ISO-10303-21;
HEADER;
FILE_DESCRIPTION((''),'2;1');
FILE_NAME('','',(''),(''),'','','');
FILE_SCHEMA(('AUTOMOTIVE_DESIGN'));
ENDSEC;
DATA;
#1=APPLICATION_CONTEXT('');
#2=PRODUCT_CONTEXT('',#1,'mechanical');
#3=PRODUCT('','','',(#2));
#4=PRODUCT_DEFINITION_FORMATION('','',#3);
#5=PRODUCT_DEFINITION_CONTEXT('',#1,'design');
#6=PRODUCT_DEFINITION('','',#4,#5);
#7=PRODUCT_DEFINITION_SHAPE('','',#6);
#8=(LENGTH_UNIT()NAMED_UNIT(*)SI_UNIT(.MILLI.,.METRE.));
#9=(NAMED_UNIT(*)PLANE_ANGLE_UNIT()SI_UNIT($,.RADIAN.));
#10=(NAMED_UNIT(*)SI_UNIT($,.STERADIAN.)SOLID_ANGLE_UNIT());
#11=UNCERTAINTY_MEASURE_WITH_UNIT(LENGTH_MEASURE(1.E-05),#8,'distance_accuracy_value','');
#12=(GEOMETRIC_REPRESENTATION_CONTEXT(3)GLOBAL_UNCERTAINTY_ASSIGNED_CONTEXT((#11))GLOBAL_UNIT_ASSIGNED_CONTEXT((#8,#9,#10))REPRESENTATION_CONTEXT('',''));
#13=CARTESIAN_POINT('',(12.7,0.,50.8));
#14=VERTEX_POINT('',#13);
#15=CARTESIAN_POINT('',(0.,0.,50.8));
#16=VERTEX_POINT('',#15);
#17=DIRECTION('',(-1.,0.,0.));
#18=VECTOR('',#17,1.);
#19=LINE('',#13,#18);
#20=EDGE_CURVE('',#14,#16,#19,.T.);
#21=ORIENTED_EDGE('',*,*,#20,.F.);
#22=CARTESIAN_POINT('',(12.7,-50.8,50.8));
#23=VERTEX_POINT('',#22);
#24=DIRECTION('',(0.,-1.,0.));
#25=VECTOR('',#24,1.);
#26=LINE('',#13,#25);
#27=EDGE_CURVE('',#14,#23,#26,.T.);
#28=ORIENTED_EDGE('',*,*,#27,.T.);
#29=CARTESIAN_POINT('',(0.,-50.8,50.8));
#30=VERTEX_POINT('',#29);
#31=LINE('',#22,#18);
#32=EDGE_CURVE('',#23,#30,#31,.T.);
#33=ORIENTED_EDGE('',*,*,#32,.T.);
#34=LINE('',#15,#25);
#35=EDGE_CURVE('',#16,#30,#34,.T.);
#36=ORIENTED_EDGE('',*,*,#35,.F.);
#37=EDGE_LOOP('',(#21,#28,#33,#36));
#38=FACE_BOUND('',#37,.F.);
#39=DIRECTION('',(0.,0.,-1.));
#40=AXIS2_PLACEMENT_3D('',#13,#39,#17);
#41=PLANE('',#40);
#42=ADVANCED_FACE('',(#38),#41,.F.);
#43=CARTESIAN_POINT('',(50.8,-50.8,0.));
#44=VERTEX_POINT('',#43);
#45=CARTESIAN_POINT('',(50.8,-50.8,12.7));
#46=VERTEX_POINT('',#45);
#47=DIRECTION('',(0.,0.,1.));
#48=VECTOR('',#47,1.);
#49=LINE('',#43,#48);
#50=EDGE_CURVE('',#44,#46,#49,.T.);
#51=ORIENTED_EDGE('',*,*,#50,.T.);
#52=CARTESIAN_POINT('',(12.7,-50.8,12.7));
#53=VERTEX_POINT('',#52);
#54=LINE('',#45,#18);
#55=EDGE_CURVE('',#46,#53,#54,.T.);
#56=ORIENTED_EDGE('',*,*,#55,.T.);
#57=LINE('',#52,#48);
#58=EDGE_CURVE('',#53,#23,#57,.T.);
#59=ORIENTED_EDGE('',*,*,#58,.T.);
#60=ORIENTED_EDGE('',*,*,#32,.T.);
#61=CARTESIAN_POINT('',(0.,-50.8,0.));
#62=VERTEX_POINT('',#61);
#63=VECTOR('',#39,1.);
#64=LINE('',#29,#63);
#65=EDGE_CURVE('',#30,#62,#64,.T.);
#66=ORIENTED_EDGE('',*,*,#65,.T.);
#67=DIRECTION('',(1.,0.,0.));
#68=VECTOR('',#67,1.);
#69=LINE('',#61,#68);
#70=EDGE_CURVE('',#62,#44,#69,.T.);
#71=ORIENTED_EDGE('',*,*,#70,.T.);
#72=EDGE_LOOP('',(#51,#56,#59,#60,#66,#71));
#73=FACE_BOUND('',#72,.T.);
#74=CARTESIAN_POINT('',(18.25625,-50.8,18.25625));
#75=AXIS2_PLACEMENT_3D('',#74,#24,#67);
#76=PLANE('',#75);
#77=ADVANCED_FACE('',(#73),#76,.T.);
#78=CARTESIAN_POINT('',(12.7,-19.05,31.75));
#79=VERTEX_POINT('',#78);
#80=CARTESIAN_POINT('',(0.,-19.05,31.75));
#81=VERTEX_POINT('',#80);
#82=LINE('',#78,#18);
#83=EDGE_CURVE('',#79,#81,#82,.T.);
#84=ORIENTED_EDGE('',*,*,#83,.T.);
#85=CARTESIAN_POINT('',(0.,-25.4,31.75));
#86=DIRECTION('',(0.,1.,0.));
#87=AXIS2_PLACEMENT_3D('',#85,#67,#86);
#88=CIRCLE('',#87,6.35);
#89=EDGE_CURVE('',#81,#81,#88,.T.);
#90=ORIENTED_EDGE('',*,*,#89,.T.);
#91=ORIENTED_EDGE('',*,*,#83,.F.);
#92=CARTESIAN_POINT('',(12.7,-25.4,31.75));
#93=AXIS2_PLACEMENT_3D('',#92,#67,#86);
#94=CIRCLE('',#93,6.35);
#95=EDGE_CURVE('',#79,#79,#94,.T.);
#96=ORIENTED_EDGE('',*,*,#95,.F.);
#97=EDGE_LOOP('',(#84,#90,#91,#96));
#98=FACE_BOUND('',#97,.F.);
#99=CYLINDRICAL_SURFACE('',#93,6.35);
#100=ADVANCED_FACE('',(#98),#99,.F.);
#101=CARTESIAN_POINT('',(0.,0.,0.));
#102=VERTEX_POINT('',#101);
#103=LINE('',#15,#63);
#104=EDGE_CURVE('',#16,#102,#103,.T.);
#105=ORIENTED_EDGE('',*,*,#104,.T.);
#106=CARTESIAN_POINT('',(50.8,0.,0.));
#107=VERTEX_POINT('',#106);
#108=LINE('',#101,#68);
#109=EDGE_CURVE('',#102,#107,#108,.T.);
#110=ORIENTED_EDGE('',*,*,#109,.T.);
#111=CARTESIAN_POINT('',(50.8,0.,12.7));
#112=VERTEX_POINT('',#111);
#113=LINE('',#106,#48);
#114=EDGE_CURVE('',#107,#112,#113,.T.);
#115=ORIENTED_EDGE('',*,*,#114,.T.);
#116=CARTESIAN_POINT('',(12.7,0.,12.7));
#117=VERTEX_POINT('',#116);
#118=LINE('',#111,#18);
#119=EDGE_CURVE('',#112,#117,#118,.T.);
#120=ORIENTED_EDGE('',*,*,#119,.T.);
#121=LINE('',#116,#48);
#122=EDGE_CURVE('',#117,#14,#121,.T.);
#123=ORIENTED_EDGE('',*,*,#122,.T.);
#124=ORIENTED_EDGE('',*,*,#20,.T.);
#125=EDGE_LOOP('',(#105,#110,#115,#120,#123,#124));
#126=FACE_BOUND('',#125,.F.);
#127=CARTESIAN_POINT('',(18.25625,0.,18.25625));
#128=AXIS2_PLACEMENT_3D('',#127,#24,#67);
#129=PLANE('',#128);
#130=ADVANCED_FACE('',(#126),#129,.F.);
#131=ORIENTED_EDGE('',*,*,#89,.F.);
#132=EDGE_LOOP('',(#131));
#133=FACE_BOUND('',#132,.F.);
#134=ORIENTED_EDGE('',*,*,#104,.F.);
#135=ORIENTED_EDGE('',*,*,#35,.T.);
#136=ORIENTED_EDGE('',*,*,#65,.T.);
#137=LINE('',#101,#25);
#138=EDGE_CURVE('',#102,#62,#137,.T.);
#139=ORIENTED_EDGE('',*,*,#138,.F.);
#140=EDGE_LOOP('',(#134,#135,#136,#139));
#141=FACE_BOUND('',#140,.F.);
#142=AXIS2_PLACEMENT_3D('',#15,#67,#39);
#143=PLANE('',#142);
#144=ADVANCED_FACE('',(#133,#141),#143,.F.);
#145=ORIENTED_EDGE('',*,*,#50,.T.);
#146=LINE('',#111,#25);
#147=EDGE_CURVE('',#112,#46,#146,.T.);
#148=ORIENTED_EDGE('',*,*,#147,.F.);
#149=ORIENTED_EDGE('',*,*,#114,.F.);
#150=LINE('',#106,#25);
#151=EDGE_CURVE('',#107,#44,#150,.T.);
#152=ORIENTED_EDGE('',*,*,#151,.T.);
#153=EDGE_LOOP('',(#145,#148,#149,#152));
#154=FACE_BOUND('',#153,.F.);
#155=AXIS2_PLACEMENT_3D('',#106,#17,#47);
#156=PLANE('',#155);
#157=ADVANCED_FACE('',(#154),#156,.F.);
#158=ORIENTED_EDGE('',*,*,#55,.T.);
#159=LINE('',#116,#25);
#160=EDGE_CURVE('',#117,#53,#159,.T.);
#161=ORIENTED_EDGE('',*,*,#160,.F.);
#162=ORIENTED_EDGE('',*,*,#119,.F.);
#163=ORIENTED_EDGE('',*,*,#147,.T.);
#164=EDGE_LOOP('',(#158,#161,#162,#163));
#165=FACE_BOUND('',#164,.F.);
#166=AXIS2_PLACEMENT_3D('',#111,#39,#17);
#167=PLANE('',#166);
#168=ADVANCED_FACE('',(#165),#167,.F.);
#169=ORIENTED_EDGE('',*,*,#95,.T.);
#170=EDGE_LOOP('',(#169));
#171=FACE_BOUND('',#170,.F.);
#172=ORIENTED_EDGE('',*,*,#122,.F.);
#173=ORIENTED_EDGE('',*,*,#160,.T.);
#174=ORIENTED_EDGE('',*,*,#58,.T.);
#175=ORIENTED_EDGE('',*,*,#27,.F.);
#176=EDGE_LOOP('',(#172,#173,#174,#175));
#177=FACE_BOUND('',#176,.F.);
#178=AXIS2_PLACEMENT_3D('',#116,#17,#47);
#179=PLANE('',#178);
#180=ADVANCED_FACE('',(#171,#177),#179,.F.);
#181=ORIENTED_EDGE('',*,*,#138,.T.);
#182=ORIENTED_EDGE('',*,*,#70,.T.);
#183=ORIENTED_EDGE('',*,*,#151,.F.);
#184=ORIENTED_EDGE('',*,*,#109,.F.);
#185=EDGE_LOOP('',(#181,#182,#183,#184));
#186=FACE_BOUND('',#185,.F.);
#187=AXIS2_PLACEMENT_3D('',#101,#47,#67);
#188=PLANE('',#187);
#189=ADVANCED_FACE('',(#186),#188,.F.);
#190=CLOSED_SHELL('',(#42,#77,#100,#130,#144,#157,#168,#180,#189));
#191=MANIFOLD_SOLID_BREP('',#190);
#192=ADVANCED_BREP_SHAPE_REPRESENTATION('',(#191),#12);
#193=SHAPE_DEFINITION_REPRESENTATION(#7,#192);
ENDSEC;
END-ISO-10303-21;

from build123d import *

# Parameters (mm, degrees)
F1_DEPTH = 50.8
F2_R     = 6.35
F3_DEPTH = 25.4


with BuildPart() as f1:
    # F0 (on Front) → F1 (new body)
    with BuildSketch(Plane.XZ):
        Polygon((0, 50.8), (0, 0), (50.8, 0), (50.8, 12.7), (12.7, 12.7), (12.7, 50.8), align=None)
    extrude(amount=F1_DEPTH)

    # F2 (on face) → F3 (cut)
    with BuildSketch(Plane.YZ.offset(12.7)):
        with Locations((-25.4, 31.75)):
            Circle(F2_R)
    extrude(amount=-F3_DEPTH, mode=Mode.SUBTRACT)


solid = f1.part
